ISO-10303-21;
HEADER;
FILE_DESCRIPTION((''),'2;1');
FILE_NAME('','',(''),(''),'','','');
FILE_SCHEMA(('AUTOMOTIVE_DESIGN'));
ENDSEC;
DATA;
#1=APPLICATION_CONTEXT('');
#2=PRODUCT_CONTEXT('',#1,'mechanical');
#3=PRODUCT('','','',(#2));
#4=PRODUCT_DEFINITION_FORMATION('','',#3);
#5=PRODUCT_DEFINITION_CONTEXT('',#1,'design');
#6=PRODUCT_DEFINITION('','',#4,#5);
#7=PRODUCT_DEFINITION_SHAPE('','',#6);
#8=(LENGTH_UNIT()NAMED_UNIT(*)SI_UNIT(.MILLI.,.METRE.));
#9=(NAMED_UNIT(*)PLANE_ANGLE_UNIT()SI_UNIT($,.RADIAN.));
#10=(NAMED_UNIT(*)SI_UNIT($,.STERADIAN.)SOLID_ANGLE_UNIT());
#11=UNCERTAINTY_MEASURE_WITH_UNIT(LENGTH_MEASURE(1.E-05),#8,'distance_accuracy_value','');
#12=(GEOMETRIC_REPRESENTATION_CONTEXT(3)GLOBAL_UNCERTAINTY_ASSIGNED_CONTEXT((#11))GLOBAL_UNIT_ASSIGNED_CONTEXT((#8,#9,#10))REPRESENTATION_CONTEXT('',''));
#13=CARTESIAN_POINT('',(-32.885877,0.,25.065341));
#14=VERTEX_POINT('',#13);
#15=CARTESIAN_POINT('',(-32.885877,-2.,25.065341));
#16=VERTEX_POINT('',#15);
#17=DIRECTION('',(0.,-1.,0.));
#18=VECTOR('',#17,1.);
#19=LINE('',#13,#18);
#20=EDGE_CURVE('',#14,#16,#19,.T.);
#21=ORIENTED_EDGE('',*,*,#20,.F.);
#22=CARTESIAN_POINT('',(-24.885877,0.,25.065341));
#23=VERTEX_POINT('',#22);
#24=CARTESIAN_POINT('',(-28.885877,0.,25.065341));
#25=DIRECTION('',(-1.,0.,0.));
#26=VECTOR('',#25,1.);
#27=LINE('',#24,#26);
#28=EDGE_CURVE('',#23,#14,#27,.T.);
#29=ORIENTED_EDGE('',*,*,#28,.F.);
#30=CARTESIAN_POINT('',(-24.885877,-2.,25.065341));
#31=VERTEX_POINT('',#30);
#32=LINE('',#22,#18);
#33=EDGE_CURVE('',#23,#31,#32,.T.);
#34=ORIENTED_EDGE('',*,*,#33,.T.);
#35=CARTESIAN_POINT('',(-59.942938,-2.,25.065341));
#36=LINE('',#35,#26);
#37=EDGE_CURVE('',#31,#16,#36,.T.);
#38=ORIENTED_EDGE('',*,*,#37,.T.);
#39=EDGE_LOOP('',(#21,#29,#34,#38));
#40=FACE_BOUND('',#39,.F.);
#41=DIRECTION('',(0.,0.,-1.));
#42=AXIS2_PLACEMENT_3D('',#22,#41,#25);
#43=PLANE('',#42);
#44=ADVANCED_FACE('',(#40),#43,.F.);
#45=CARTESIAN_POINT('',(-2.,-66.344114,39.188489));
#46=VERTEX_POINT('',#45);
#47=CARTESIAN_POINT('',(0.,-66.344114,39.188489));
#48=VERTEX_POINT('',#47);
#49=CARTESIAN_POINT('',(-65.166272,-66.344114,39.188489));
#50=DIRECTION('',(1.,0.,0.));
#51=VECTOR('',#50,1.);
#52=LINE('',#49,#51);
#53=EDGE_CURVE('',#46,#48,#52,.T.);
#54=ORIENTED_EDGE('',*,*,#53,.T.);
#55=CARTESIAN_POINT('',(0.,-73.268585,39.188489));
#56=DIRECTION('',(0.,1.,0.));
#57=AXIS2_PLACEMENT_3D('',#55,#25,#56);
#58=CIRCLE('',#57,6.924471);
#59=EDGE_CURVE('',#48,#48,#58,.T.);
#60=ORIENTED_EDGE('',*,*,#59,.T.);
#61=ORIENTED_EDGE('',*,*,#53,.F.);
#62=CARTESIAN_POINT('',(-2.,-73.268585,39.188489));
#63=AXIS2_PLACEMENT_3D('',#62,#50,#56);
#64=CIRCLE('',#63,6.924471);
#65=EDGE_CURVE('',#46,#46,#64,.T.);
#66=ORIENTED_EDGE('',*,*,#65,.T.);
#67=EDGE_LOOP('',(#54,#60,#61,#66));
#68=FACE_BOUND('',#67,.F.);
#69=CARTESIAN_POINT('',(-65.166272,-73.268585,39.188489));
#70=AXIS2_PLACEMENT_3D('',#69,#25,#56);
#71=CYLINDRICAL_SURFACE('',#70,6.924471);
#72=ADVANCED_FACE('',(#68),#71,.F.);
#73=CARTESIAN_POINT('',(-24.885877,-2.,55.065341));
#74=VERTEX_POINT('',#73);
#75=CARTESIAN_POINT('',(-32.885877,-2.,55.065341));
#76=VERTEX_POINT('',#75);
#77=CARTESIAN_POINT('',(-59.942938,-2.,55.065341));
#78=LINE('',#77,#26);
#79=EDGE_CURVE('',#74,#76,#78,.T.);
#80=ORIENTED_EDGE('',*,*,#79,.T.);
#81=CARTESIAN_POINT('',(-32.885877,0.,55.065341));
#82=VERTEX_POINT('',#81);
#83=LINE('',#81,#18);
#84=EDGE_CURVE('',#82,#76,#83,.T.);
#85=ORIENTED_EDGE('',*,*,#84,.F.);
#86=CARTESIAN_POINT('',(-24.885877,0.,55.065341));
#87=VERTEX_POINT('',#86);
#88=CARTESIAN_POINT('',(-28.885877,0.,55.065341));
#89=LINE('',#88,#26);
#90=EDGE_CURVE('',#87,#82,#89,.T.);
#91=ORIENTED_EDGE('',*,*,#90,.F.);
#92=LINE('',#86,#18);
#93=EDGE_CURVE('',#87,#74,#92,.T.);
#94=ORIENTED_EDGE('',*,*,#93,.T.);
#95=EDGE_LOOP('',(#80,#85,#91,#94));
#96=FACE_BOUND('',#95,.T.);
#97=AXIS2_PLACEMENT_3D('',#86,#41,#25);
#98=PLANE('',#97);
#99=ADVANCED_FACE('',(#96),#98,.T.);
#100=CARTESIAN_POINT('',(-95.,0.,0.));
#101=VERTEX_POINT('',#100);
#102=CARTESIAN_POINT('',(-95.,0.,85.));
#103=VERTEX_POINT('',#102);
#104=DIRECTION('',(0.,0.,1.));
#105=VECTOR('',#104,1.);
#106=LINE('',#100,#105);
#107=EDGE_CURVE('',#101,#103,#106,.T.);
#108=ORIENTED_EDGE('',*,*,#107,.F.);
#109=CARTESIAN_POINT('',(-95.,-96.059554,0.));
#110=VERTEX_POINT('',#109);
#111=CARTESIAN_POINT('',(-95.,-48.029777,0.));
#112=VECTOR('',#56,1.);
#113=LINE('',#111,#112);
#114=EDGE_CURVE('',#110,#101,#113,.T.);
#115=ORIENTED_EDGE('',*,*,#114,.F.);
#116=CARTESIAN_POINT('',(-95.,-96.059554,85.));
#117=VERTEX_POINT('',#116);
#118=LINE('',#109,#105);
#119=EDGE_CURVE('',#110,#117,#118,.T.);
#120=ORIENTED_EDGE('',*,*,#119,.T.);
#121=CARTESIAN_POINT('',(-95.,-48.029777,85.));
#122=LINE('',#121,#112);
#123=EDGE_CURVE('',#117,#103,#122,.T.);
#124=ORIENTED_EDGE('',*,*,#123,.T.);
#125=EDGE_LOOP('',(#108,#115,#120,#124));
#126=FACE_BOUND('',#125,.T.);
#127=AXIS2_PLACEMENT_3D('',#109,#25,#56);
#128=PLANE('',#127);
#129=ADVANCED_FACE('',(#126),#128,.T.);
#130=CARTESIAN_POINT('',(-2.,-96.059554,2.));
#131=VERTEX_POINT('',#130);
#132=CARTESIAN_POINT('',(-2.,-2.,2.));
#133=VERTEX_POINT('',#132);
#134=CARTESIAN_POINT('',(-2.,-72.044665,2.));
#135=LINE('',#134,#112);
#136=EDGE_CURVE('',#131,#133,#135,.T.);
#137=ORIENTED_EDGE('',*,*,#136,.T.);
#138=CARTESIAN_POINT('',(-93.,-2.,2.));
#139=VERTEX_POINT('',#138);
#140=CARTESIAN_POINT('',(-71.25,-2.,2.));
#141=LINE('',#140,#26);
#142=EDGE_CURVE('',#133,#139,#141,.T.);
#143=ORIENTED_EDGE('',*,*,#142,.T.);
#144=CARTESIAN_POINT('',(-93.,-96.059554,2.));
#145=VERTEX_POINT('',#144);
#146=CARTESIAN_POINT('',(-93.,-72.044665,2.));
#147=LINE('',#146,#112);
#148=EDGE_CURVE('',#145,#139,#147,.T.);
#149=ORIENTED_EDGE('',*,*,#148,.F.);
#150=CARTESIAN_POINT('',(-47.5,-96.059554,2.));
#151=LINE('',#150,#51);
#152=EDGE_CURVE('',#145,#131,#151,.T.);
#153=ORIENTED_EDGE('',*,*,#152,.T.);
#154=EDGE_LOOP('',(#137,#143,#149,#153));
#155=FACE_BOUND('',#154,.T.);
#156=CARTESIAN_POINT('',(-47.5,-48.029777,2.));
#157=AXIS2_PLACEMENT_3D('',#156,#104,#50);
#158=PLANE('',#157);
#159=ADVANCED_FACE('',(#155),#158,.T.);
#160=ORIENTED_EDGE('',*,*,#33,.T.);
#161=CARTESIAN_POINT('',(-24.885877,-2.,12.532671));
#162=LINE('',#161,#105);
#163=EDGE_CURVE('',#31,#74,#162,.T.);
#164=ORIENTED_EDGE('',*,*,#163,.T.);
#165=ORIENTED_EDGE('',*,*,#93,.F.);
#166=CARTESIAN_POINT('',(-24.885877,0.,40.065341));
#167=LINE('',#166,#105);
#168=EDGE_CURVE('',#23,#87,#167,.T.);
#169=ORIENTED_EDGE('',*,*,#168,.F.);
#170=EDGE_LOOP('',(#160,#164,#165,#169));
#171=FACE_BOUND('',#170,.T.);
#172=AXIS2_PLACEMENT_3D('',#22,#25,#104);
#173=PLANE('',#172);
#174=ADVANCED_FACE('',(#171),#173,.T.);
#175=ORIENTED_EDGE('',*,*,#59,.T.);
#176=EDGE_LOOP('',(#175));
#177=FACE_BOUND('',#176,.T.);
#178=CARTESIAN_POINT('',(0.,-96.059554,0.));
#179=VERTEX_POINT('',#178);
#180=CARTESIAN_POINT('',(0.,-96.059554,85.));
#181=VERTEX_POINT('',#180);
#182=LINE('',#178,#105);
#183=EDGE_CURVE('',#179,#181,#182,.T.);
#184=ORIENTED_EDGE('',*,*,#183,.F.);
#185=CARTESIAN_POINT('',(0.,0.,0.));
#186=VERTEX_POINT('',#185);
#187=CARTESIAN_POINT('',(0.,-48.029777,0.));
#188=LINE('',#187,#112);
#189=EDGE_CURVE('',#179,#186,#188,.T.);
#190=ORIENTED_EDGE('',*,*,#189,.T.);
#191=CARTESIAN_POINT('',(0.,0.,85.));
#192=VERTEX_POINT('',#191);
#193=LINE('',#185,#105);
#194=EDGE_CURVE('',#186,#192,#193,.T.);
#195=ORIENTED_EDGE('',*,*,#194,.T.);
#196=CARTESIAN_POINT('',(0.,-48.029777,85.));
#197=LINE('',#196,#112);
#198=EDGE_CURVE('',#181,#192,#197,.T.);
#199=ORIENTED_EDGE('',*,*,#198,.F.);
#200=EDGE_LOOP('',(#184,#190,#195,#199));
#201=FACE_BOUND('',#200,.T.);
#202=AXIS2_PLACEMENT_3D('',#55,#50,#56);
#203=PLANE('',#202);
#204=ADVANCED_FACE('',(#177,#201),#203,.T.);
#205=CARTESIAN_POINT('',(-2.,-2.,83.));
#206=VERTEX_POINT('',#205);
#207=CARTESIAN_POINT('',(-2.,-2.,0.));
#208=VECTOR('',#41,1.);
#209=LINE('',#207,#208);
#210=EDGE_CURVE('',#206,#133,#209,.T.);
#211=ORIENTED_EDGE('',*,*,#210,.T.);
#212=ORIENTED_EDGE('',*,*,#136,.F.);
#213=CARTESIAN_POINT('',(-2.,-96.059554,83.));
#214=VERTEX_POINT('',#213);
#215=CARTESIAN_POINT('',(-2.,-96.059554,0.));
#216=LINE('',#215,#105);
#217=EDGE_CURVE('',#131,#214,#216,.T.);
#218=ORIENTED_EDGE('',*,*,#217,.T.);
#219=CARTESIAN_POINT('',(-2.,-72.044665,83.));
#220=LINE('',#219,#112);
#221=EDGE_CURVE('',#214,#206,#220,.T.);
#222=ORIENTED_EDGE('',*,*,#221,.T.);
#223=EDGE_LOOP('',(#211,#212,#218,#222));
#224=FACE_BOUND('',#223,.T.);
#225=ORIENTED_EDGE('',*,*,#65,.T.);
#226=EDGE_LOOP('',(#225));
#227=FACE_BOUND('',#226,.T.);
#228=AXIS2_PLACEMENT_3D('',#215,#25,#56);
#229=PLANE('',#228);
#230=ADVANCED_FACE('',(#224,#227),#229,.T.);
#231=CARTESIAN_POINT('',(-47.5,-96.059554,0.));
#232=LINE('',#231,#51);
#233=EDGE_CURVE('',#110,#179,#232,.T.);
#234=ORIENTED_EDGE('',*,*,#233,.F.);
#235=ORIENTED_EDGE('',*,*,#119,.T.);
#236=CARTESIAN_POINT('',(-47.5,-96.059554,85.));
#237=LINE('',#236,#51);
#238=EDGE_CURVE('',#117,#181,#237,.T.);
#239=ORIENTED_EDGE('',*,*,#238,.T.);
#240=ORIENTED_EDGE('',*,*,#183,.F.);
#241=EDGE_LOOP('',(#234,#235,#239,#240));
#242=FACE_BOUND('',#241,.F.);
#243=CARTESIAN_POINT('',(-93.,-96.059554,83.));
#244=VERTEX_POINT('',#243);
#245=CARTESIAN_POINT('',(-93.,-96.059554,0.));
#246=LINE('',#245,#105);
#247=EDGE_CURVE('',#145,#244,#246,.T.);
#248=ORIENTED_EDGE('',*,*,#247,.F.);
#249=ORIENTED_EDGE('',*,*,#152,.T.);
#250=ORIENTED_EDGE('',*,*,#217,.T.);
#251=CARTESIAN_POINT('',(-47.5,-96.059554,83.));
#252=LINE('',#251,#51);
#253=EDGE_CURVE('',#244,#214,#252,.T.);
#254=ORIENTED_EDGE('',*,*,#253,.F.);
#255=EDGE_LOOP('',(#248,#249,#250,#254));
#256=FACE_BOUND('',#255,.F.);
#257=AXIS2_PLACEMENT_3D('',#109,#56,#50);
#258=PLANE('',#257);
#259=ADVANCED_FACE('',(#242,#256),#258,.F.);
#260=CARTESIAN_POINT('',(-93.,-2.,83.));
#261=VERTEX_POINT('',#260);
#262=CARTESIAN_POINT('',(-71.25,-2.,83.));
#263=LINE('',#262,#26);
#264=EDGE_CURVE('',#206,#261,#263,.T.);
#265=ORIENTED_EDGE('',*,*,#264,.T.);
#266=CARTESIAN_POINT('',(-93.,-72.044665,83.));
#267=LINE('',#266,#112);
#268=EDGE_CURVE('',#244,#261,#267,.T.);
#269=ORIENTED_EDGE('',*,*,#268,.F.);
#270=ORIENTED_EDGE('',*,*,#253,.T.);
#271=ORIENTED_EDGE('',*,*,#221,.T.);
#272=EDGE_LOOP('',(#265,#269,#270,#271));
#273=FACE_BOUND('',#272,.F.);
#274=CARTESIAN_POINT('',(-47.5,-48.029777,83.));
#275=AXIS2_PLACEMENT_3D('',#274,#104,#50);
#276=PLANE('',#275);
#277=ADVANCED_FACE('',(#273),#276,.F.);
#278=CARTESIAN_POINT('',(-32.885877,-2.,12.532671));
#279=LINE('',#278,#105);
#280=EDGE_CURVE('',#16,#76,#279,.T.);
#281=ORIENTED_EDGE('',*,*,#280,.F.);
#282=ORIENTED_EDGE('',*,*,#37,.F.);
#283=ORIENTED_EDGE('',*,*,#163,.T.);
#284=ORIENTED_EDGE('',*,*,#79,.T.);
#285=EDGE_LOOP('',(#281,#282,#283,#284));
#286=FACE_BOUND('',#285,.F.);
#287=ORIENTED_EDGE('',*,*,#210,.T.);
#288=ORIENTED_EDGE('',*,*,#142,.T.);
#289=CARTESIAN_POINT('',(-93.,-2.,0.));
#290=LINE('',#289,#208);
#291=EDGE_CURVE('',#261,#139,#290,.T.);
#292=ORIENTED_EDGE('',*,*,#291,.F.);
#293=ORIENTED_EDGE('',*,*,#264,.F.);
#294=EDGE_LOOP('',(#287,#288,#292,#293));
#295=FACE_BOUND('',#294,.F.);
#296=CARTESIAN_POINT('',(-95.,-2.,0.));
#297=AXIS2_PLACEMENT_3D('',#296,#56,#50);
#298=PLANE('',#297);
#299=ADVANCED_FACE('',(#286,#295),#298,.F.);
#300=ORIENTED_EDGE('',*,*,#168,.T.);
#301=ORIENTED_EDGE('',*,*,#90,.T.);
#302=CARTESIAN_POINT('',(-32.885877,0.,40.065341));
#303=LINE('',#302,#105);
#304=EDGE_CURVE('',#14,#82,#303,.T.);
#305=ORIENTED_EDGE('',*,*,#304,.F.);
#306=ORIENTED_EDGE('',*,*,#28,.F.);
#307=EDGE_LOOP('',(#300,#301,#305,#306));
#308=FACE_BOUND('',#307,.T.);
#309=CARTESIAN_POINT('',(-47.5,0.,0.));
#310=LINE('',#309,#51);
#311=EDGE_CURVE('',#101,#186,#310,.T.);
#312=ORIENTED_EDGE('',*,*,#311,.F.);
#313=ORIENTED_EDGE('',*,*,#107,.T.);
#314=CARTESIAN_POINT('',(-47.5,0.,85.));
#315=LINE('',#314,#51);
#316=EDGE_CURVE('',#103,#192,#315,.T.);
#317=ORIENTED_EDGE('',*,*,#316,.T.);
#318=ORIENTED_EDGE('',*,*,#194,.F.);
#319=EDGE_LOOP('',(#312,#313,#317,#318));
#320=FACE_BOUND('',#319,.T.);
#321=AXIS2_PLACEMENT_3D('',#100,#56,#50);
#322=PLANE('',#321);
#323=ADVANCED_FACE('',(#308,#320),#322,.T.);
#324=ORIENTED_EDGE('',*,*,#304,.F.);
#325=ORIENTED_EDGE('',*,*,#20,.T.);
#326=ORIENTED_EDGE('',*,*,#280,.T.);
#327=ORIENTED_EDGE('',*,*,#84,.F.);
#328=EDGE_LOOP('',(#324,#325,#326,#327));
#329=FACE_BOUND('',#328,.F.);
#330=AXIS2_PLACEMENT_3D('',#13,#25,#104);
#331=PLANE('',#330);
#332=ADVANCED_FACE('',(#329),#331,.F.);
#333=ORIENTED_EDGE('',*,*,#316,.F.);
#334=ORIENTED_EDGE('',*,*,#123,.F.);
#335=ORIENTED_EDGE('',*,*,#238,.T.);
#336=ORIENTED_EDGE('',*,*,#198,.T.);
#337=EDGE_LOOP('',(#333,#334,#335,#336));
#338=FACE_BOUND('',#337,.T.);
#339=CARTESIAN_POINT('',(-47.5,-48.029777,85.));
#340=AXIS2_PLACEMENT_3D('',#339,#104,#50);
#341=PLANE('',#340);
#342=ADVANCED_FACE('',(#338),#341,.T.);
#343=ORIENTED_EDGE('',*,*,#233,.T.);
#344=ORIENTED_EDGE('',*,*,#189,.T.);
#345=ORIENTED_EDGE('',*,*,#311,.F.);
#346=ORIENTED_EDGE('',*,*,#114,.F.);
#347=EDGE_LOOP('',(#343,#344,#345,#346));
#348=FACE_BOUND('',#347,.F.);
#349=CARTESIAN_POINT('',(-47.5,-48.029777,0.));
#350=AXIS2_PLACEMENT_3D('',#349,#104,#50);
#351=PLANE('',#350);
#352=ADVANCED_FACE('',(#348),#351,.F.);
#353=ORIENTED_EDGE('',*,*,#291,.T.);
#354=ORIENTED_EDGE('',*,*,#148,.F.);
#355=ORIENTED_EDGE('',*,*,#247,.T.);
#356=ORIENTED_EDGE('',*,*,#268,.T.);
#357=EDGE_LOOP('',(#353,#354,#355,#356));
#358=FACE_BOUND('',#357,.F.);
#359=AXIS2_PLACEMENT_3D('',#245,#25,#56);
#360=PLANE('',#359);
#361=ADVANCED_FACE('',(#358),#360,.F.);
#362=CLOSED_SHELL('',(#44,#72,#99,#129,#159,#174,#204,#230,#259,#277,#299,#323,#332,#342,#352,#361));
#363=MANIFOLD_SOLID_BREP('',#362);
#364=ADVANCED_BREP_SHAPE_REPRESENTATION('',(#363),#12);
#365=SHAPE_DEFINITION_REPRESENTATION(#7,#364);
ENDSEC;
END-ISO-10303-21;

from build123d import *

# Parameters (mm, degrees)
F0_W      = 95
F0_H      = 96.059554
F1_DEPTH  = 85
F2_T      = -2
F3_R      = 6.924471
F4_DEPTH  = 65.166272
F4_FACE_R = 6.924471
F5_DEPTH  = 140.461847
F6_W      = 8
F6_H      = 30
F7_DEPTH  = 21.398656


with BuildPart() as f1:
    # F0 (on Top) → F1 (new body)
    with BuildSketch(Plane.XY):
        with Locations((-47.5, -48.029777)):
            Rectangle(F0_W, F0_H)
    extrude(amount=F1_DEPTH)

    # F2
    f2_openings = [f1.faces().sort_by_distance(p)[0] for p in [
        (-47.5, -96.059554, 42.5),
    ]]
    offset(amount=F2_T, openings=f2_openings)

    # F3 (on face) → F4 (join)
    with BuildSketch(Plane.YZ):
        with Locations((-73.268585, 39.188489)):
            Circle(F3_R)
    extrude(amount=-F4_DEPTH)

    # F4_face (on face) → F5 (cut)
    with BuildSketch(Plane(origin=(-65.166272, -73.268585, 39.188489), x_dir=(0, 1, 0), z_dir=(-1, 0, 0))):
        Circle(F4_FACE_R)
    extrude(amount=-F5_DEPTH, mode=Mode.SUBTRACT)

    # F6 (on face) → F7 (cut)
    with BuildSketch(Plane(origin=(0, 0, 0), x_dir=(-1, 0, 0), z_dir=(0, 1, 0))):
        with Locations((28.885877, 40.065341)):
            Rectangle(F6_W, F6_H)
    extrude(amount=-F7_DEPTH, mode=Mode.SUBTRACT)


solid = f1.part
